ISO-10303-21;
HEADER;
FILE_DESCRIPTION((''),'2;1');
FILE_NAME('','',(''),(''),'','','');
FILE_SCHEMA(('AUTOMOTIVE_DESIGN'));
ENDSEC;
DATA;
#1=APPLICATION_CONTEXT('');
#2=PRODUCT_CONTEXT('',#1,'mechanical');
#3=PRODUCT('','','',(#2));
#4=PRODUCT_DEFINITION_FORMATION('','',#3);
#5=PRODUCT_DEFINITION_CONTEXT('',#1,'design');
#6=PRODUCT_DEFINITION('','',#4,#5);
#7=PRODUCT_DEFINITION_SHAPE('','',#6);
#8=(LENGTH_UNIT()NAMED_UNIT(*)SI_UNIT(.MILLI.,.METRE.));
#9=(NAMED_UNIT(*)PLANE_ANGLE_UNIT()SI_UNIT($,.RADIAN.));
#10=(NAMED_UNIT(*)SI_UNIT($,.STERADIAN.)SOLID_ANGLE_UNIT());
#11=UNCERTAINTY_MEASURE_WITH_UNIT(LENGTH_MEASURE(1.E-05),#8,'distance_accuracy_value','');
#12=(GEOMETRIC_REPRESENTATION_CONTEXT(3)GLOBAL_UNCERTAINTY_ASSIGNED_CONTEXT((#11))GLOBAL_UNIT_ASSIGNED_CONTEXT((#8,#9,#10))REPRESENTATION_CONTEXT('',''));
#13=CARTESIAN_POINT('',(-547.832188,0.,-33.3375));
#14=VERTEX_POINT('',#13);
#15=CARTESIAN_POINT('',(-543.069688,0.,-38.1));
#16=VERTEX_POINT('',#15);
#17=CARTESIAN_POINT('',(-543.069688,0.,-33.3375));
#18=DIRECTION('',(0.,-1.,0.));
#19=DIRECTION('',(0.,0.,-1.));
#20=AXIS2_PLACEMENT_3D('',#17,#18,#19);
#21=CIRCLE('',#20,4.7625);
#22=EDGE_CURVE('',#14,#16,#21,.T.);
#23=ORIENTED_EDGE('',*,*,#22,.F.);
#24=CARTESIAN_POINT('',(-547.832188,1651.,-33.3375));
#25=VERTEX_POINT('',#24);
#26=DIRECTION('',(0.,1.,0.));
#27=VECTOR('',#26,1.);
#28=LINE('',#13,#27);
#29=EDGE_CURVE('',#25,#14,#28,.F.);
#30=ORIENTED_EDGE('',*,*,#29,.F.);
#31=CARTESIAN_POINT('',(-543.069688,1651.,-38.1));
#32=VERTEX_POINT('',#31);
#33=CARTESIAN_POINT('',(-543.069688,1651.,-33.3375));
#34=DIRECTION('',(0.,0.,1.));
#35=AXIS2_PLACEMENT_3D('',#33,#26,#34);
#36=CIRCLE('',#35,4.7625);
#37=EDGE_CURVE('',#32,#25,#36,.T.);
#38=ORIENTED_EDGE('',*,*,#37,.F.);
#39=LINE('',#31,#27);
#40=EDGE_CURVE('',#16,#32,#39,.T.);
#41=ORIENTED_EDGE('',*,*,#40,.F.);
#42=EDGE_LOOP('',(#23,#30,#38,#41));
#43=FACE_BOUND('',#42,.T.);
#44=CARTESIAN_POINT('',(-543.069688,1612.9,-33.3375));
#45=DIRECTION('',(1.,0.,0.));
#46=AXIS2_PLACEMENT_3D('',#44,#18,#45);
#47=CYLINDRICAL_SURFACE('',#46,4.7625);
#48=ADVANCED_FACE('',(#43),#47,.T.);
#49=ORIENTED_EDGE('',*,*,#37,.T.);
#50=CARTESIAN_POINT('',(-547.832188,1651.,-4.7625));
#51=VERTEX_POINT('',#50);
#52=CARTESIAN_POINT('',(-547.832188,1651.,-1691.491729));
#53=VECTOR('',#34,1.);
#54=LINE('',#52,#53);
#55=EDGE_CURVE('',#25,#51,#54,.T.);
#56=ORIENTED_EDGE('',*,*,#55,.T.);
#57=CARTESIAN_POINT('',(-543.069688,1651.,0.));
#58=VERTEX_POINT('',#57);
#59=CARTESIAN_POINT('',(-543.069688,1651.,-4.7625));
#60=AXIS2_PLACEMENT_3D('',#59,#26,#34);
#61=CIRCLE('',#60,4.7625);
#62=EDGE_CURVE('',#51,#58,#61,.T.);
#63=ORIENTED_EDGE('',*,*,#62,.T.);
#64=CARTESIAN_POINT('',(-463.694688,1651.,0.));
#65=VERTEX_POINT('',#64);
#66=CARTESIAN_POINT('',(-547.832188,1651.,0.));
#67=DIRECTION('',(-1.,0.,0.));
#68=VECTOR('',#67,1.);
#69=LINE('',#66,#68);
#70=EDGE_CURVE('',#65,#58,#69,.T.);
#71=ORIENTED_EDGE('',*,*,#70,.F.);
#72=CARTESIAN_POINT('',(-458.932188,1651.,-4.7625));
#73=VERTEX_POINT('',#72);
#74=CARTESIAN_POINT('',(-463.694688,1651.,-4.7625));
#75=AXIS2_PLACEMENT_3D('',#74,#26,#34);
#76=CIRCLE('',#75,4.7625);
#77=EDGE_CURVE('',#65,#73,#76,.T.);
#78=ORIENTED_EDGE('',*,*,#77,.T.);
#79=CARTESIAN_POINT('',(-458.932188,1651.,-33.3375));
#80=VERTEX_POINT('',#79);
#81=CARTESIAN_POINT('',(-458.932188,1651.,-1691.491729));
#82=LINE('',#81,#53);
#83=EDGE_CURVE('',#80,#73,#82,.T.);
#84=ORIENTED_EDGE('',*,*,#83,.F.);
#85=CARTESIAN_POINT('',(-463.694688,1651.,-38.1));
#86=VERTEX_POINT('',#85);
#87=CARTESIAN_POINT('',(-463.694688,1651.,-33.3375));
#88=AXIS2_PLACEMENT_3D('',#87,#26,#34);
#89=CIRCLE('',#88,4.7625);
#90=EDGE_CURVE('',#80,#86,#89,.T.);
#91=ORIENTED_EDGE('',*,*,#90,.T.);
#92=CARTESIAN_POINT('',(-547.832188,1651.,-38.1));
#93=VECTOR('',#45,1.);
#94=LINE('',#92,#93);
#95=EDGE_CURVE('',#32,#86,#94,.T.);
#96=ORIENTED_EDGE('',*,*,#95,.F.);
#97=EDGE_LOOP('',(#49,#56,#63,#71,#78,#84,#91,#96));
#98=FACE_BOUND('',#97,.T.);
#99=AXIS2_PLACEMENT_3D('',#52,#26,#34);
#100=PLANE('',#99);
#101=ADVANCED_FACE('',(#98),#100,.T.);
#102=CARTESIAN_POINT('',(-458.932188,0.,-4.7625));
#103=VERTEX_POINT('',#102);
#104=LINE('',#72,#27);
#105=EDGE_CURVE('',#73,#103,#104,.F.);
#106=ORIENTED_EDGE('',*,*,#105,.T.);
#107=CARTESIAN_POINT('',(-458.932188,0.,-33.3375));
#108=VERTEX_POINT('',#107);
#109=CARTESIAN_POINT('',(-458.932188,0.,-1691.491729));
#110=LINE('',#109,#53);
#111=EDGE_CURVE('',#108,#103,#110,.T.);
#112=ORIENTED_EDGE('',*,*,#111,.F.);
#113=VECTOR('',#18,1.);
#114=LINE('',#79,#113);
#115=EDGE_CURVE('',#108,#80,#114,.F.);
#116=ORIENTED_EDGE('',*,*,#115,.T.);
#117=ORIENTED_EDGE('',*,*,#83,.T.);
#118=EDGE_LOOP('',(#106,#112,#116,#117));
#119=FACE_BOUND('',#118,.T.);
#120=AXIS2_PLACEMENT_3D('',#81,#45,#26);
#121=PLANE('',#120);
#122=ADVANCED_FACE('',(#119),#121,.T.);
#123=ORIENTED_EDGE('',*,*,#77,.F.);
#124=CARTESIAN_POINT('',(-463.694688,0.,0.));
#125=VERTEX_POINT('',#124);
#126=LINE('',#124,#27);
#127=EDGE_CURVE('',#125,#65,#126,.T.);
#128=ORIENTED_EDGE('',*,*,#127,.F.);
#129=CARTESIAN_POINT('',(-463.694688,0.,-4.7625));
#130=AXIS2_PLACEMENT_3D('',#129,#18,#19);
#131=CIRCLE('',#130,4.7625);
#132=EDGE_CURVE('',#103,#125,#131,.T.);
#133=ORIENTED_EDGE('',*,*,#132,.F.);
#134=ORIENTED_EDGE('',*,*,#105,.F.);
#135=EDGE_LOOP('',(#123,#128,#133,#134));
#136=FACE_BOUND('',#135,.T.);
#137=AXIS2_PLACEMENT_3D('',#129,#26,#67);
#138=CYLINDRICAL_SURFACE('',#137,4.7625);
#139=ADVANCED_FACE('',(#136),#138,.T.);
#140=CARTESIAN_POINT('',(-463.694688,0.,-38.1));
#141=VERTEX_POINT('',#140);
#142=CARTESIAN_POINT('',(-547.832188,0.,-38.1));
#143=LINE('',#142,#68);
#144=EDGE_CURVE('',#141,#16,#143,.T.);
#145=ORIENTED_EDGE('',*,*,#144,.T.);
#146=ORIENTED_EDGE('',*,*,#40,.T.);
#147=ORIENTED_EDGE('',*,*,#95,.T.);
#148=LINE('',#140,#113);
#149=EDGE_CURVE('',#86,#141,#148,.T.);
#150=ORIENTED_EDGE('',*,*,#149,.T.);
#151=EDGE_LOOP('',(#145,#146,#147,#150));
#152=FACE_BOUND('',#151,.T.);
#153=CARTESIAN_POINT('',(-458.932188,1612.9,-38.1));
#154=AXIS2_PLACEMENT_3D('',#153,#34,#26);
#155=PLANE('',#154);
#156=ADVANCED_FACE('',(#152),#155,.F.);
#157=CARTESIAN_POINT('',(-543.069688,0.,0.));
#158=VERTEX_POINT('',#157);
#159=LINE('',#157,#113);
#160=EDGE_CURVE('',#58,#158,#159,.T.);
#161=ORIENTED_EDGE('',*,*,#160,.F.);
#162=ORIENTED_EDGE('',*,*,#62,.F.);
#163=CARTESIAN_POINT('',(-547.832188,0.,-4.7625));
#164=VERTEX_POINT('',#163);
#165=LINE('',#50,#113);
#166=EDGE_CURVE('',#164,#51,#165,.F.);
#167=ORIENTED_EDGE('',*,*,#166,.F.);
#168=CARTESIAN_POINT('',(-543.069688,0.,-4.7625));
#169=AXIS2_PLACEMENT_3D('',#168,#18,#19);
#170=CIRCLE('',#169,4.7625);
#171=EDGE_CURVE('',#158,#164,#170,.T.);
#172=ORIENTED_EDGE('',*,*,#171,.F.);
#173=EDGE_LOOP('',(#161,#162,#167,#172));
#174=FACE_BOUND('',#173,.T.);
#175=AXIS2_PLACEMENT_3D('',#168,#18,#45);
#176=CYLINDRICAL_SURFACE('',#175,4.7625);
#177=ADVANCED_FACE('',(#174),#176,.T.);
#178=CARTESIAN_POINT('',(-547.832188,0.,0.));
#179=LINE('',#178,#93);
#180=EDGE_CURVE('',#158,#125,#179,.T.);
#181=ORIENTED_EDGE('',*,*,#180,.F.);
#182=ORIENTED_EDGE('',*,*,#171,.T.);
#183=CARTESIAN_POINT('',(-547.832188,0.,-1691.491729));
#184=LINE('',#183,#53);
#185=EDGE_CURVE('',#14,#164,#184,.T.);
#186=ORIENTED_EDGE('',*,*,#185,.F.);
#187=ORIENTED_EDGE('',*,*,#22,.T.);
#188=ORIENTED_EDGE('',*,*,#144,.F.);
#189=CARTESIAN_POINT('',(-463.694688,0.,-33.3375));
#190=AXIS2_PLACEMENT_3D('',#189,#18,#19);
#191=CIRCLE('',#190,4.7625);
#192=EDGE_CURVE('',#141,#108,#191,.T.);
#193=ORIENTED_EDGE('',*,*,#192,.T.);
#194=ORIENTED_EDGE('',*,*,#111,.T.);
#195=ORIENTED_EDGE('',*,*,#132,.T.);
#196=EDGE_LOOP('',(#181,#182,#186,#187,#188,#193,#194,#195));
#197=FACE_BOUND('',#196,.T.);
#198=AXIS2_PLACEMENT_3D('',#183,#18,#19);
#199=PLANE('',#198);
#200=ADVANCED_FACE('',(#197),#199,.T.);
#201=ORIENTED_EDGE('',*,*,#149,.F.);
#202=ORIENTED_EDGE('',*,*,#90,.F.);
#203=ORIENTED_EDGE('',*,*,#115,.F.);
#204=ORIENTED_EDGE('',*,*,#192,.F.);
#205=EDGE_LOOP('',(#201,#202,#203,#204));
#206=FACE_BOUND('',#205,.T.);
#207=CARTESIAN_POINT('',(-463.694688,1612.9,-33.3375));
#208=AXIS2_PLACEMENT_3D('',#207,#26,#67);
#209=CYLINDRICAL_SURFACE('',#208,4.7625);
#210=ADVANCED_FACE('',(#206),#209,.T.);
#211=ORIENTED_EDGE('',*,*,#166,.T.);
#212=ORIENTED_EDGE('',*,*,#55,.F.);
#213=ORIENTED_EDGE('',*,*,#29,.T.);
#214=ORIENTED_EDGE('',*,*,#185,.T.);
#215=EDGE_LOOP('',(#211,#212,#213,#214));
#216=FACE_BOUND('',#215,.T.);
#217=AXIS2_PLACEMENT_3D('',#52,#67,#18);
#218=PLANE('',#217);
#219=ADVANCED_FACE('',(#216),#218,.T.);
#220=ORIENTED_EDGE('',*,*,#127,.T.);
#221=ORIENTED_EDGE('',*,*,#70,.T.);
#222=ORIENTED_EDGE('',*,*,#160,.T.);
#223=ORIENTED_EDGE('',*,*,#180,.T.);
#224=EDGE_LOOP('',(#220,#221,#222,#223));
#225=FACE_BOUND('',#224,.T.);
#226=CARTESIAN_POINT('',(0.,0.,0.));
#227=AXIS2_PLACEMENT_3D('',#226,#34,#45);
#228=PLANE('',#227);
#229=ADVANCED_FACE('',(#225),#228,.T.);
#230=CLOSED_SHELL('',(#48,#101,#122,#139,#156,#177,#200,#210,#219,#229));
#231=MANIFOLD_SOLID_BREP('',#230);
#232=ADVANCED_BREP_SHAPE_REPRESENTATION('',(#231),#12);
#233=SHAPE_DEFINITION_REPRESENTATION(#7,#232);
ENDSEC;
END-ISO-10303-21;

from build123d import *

# Parameters (mm, degrees)
SKETCH1_W           = 88.9
SKETCH1_H           = 1651
BOSS_EXTRUDE1_DEPTH = 38.1
FILLET1_R           = 4.7625


with BuildPart() as part:
    # Sketch1 → Boss-Extrude1 (new body)
    with BuildSketch(Plane.XY):
        with Locations((-503.382187925, 825.5)):
            Rectangle(SKETCH1_W, SKETCH1_H)
    extrude(amount=-BOSS_EXTRUDE1_DEPTH)

    # Fillet1
    fillet1_edges = [part.edges().sort_by_distance(p)[0] for p in [
        (-458.932187925, 825.5, -38.1),
        (-547.832187925, 825.5, -38.1),
        (-458.932187925, 825.5, 0),
        (-547.832187925, 825.5, 0),
    ]]
    fillet(fillet1_edges, radius=FILLET1_R)


solid = part.part
